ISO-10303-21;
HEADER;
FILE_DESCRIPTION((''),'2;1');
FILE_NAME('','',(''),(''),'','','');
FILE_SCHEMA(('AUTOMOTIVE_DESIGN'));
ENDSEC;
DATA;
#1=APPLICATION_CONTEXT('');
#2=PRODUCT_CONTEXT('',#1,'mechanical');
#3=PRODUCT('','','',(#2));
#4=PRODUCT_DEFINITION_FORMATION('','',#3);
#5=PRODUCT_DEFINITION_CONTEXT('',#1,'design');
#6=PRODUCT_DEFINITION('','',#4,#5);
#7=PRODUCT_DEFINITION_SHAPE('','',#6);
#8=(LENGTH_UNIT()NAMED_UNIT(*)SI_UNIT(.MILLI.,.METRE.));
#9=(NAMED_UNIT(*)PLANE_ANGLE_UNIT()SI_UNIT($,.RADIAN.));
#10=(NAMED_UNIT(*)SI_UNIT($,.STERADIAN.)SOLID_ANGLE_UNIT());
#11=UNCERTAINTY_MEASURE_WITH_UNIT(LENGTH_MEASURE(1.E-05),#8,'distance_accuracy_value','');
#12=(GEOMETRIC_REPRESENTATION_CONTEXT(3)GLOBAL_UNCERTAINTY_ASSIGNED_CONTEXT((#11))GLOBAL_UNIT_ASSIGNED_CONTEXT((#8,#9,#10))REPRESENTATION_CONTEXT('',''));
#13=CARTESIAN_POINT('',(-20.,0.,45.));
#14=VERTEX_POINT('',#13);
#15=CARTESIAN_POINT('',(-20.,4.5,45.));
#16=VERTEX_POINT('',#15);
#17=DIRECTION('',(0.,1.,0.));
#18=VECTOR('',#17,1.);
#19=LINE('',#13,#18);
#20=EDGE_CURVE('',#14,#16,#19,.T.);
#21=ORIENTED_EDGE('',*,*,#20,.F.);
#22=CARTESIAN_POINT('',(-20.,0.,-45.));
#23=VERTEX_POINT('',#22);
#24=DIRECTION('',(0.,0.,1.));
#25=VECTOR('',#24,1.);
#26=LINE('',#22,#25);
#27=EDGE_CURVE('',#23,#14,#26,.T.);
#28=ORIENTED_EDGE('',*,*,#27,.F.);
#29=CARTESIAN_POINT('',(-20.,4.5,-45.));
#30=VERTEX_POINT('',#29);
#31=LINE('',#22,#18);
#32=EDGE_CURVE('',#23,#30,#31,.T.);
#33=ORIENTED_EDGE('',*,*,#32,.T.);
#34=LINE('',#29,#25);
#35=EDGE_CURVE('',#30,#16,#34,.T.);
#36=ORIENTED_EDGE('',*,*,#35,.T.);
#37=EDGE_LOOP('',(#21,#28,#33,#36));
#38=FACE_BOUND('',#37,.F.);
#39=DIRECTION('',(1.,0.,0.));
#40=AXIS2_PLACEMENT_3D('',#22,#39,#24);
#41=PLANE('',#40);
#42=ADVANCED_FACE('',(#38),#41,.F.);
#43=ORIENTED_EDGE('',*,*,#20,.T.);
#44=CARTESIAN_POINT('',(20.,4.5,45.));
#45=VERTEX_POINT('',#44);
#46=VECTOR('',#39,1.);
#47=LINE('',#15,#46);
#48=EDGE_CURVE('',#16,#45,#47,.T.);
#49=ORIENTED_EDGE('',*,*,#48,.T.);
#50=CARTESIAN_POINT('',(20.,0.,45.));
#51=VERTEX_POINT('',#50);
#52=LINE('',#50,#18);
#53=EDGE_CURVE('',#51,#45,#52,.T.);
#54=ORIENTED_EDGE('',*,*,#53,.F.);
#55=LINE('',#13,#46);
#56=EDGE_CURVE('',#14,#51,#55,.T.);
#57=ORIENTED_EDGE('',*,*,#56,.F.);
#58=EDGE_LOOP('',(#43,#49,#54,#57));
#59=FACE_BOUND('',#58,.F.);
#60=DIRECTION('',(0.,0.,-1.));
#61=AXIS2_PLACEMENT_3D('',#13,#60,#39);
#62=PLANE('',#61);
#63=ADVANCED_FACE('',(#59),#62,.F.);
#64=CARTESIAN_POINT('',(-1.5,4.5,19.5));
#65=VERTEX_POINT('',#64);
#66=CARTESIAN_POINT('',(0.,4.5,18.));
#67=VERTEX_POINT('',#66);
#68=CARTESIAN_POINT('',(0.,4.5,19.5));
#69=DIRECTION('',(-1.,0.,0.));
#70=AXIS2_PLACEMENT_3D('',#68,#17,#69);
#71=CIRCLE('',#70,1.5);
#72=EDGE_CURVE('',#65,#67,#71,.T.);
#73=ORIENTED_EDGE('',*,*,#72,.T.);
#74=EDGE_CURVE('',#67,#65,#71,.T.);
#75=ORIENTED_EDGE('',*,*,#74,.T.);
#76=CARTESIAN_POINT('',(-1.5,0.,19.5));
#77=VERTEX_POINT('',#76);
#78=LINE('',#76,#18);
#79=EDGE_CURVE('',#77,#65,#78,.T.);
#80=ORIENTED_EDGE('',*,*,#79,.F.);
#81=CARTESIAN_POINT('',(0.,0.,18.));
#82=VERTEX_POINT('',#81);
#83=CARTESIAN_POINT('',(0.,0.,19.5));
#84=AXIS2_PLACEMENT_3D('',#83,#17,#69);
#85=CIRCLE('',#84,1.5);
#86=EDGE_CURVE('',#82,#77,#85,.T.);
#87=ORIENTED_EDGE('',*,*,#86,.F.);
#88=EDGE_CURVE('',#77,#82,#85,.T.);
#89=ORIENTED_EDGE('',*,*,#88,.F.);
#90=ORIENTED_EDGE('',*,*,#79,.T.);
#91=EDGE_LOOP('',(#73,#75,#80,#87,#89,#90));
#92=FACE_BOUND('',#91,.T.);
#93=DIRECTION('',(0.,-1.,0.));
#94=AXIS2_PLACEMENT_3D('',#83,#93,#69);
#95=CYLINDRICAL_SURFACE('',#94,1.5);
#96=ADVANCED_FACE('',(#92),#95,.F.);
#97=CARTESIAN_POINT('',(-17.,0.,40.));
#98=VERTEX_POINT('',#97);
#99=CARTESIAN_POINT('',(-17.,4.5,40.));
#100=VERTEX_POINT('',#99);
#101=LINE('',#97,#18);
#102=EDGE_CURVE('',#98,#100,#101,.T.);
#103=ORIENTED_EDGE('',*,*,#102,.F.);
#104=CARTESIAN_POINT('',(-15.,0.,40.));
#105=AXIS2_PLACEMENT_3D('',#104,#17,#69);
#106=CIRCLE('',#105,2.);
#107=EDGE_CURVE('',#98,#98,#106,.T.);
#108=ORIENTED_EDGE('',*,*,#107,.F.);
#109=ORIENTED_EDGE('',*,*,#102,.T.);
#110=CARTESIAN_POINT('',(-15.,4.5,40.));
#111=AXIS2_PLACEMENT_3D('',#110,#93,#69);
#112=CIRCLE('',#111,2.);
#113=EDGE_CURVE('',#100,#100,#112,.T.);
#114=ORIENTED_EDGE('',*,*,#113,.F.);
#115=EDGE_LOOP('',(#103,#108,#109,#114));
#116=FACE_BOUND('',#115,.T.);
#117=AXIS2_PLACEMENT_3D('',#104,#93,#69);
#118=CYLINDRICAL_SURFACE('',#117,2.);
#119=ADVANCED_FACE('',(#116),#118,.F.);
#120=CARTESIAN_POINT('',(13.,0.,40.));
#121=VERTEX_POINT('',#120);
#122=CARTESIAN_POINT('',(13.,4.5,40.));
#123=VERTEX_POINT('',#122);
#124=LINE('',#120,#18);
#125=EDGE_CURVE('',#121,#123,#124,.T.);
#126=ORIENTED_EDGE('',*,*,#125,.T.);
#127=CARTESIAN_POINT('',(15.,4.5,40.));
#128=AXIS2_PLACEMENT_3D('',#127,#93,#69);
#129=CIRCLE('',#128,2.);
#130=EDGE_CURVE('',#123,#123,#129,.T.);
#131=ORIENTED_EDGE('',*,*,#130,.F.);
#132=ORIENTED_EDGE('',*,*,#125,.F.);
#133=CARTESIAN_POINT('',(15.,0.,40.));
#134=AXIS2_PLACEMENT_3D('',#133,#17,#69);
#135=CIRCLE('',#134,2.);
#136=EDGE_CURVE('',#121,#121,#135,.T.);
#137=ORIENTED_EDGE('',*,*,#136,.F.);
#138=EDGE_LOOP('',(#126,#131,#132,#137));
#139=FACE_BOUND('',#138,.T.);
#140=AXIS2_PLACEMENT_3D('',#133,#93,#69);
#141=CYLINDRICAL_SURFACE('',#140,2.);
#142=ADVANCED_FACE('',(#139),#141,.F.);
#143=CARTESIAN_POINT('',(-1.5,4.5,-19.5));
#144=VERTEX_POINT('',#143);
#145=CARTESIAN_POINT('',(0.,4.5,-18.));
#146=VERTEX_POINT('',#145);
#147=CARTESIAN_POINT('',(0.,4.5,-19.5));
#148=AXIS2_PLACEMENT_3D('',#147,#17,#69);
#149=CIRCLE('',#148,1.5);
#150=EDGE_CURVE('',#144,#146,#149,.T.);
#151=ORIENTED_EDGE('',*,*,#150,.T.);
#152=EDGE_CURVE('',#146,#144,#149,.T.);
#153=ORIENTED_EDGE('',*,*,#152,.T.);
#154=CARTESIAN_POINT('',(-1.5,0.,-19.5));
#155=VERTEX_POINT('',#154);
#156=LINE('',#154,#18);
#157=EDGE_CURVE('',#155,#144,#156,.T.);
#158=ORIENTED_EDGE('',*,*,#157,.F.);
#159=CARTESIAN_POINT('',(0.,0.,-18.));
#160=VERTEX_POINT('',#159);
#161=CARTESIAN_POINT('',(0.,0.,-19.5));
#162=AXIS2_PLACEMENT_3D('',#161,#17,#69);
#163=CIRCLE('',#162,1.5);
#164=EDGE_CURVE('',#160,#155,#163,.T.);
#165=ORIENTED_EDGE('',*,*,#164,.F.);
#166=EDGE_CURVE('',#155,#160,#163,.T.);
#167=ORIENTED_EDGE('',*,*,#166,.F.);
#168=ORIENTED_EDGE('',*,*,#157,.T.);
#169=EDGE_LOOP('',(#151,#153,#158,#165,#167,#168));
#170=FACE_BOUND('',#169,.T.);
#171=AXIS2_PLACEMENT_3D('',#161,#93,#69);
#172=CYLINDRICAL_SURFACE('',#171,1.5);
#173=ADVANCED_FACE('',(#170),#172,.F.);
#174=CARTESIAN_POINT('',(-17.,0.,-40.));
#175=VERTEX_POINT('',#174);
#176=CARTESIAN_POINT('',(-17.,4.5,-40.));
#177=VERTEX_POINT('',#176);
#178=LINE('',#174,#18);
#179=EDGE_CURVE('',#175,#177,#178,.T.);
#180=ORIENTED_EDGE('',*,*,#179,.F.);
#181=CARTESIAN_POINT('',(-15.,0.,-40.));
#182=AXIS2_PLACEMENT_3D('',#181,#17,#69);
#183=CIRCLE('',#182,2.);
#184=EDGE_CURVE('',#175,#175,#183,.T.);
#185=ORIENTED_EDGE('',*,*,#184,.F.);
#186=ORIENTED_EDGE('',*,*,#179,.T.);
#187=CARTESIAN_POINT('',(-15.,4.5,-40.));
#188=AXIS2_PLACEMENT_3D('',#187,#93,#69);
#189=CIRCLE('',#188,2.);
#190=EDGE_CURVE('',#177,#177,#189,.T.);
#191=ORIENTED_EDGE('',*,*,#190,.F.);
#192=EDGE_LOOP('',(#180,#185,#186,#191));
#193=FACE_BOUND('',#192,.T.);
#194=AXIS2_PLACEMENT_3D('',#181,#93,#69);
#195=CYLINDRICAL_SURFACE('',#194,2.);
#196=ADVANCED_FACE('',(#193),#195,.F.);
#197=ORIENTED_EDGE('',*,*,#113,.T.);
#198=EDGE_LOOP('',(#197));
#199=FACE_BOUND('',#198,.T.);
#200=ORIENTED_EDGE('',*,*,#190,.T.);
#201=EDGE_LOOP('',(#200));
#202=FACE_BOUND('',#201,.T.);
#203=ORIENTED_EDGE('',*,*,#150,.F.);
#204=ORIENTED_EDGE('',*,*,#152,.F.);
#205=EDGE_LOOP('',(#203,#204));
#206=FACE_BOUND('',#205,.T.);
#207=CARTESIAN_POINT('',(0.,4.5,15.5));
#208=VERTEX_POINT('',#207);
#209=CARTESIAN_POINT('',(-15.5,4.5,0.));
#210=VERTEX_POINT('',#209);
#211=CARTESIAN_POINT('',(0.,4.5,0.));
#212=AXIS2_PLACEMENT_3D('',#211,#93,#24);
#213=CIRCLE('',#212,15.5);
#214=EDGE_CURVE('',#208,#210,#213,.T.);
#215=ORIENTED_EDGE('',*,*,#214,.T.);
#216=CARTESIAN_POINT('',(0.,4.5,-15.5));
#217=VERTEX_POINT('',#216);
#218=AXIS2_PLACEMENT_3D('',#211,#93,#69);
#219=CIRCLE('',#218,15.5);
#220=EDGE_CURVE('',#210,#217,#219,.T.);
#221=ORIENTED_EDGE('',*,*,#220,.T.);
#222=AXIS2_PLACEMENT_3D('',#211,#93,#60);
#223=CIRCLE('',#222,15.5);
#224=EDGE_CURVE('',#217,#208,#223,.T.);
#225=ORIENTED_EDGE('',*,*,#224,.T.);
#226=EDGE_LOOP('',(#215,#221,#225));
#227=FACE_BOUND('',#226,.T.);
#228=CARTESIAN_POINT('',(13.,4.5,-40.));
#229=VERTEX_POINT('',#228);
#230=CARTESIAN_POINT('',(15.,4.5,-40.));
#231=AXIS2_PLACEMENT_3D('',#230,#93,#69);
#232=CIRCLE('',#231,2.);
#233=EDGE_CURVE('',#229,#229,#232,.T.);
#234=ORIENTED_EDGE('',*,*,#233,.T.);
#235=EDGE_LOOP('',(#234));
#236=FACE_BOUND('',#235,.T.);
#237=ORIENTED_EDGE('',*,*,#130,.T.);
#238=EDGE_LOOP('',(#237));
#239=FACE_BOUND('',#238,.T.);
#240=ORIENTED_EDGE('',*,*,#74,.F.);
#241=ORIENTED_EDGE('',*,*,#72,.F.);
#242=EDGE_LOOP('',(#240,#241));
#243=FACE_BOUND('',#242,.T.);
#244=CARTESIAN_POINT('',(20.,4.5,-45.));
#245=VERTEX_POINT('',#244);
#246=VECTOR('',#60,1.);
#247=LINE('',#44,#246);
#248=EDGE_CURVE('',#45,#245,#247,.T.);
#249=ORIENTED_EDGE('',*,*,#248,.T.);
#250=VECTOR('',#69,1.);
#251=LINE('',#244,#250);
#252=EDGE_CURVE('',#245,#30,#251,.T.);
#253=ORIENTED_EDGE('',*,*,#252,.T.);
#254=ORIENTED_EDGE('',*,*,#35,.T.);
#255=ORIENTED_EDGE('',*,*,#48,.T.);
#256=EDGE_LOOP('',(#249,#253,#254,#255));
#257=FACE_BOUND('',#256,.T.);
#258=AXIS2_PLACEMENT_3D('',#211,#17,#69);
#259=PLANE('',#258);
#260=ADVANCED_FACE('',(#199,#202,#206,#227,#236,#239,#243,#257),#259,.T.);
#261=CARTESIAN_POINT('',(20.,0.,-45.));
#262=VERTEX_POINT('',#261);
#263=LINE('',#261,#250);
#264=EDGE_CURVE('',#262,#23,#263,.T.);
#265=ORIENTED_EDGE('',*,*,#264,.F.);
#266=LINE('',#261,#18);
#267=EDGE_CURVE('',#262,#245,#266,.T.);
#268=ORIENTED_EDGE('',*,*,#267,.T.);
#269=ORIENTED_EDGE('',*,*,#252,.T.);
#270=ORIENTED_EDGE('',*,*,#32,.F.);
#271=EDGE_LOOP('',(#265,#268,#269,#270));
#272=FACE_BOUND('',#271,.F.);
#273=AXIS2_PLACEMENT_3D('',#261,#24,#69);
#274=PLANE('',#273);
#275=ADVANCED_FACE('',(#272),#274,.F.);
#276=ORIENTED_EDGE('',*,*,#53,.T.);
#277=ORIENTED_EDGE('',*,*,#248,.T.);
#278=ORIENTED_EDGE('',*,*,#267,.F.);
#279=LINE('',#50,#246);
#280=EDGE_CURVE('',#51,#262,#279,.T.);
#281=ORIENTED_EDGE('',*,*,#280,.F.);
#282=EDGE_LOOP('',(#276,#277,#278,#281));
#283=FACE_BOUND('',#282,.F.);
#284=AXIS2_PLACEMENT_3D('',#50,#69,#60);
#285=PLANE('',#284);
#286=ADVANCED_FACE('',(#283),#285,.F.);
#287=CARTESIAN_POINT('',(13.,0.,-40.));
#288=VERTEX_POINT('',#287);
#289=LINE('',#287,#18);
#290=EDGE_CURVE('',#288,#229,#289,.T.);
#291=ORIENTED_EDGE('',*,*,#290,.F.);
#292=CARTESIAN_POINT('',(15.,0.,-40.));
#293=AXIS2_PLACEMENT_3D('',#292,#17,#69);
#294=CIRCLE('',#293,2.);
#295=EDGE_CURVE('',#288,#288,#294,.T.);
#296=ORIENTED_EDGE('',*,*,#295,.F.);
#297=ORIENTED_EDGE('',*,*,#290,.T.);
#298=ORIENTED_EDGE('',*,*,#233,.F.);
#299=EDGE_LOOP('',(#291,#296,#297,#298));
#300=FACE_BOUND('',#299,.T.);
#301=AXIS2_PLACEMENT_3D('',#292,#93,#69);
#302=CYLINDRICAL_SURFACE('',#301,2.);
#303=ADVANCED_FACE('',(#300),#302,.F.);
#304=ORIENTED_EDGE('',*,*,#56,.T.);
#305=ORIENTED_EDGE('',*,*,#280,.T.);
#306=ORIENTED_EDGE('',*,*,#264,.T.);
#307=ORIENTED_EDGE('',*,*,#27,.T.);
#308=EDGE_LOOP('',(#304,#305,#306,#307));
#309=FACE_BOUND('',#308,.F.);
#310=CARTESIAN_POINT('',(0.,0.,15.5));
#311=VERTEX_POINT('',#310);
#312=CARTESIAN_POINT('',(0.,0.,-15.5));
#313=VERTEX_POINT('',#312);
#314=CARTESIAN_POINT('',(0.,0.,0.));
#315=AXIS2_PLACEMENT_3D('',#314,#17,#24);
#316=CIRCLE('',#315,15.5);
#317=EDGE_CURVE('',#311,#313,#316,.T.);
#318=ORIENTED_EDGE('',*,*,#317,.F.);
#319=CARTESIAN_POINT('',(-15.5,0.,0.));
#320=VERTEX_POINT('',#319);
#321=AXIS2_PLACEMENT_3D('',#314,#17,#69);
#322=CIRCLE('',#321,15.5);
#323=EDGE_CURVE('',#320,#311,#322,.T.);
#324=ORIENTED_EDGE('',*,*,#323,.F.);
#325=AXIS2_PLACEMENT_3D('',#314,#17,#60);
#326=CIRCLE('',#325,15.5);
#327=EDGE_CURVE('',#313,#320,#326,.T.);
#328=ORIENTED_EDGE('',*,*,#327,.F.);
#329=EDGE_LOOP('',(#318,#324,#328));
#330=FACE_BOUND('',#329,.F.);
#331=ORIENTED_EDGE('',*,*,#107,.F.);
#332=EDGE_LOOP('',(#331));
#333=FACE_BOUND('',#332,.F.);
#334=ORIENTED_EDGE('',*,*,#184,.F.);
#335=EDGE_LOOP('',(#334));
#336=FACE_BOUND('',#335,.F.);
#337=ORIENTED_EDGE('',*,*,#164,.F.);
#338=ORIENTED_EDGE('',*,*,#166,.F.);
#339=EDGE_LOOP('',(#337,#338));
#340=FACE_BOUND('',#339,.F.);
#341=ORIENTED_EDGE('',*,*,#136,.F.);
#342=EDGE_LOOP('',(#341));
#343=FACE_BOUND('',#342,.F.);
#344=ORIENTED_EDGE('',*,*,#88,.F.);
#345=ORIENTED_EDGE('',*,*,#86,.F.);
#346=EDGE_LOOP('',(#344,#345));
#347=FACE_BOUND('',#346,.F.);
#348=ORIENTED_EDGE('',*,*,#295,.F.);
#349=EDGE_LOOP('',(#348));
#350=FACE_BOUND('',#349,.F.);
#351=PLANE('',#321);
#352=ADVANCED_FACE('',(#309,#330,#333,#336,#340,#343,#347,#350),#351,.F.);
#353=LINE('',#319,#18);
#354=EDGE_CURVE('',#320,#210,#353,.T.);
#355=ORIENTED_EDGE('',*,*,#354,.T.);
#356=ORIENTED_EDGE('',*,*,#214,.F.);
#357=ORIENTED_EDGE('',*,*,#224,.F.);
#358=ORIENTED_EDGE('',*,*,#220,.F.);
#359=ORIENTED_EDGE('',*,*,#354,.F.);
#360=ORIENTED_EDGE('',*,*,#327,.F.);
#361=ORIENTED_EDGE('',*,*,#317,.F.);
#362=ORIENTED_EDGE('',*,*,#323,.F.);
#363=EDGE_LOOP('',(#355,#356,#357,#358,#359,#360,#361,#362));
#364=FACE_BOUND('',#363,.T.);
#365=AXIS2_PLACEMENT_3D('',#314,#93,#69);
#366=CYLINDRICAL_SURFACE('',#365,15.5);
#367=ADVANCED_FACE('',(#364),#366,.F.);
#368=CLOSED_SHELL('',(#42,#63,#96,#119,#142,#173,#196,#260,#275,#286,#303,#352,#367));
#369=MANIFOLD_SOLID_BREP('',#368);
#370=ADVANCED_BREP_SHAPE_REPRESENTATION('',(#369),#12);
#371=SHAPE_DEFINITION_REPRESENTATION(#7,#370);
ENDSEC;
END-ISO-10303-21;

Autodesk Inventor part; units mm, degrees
ref_plane "YZ Plane" through (0, 0, 0) normal (1, 0, 0) x (0, 1, 0)
ref_plane "XZ Plane" through (0, 0, 0) normal (0, 1, 0) x (-1, 0, 0)
ref_plane "XY Plane" through (0, 0, 0) normal (0, 0, 1) x (1, 0, 0)
sketch "Sketch1" plane through (0, 0, 0) normal (0, 1, 0) x (-1, 0, 0)
  line L0 (20, 45) -> (-20, 45)
  line L1 (-20, 45) -> (-20, -45)
  line L2 (-20, -45) -> (20, -45)
  line L3 (20, -45) -> (20, 45)
  line L4 (20, 45) -> (-20, -45) construction
  line L5 (-20, 45) -> (20, -45) construction
  circle A0 centre (0, 0) radius 15.5
  line L6 (0, 0) -> (0, -19.5)
  line L7 (0, -19.5) -> (0, 19.5)
  circle A1 centre (0, 19.5) radius 1.5
  circle A2 centre (0, -19.5) radius 1.5
  line L8 (15, 40) -> (-15, 40)
  line L9 (-15, 40) -> (-15, -40)
  line L10 (-15, -40) -> (15, -40)
  line L11 (15, -40) -> (15, 40)
  line L12 (15, 40) -> (-15, -40) construction
  line L13 (-15, 40) -> (15, -40) construction
  circle A3 centre (15, 40) radius 2
  circle A4 centre (15, -40) radius 2
  circle A5 centre (-15, -40) radius 2
  circle A6 centre (-15, 40) radius 2
  dimension "d0" = 40
  dimension "d1" = 90
  dimension "d2" = 31
  dimension "d3" = 19.5
  dimension "d4" = 39
  dimension "d5" = 3
  dimension "d6" = 3
  dimension "d9" = 30
  dimension "d10" = 80
  dimension "d11" = 4
  dimension "d12" = 4
  dimension "d13" = 4
  dimension "d14" = 4
extrude "Extrusion1" add sketch "Sketch1" along normal blind 4.5 contours L3 L2 L1 L0 | A0 L9 A6 L8 A3 L11 | L11 A4 L10 A5 L9 A0
properties part number "caster_holder"
